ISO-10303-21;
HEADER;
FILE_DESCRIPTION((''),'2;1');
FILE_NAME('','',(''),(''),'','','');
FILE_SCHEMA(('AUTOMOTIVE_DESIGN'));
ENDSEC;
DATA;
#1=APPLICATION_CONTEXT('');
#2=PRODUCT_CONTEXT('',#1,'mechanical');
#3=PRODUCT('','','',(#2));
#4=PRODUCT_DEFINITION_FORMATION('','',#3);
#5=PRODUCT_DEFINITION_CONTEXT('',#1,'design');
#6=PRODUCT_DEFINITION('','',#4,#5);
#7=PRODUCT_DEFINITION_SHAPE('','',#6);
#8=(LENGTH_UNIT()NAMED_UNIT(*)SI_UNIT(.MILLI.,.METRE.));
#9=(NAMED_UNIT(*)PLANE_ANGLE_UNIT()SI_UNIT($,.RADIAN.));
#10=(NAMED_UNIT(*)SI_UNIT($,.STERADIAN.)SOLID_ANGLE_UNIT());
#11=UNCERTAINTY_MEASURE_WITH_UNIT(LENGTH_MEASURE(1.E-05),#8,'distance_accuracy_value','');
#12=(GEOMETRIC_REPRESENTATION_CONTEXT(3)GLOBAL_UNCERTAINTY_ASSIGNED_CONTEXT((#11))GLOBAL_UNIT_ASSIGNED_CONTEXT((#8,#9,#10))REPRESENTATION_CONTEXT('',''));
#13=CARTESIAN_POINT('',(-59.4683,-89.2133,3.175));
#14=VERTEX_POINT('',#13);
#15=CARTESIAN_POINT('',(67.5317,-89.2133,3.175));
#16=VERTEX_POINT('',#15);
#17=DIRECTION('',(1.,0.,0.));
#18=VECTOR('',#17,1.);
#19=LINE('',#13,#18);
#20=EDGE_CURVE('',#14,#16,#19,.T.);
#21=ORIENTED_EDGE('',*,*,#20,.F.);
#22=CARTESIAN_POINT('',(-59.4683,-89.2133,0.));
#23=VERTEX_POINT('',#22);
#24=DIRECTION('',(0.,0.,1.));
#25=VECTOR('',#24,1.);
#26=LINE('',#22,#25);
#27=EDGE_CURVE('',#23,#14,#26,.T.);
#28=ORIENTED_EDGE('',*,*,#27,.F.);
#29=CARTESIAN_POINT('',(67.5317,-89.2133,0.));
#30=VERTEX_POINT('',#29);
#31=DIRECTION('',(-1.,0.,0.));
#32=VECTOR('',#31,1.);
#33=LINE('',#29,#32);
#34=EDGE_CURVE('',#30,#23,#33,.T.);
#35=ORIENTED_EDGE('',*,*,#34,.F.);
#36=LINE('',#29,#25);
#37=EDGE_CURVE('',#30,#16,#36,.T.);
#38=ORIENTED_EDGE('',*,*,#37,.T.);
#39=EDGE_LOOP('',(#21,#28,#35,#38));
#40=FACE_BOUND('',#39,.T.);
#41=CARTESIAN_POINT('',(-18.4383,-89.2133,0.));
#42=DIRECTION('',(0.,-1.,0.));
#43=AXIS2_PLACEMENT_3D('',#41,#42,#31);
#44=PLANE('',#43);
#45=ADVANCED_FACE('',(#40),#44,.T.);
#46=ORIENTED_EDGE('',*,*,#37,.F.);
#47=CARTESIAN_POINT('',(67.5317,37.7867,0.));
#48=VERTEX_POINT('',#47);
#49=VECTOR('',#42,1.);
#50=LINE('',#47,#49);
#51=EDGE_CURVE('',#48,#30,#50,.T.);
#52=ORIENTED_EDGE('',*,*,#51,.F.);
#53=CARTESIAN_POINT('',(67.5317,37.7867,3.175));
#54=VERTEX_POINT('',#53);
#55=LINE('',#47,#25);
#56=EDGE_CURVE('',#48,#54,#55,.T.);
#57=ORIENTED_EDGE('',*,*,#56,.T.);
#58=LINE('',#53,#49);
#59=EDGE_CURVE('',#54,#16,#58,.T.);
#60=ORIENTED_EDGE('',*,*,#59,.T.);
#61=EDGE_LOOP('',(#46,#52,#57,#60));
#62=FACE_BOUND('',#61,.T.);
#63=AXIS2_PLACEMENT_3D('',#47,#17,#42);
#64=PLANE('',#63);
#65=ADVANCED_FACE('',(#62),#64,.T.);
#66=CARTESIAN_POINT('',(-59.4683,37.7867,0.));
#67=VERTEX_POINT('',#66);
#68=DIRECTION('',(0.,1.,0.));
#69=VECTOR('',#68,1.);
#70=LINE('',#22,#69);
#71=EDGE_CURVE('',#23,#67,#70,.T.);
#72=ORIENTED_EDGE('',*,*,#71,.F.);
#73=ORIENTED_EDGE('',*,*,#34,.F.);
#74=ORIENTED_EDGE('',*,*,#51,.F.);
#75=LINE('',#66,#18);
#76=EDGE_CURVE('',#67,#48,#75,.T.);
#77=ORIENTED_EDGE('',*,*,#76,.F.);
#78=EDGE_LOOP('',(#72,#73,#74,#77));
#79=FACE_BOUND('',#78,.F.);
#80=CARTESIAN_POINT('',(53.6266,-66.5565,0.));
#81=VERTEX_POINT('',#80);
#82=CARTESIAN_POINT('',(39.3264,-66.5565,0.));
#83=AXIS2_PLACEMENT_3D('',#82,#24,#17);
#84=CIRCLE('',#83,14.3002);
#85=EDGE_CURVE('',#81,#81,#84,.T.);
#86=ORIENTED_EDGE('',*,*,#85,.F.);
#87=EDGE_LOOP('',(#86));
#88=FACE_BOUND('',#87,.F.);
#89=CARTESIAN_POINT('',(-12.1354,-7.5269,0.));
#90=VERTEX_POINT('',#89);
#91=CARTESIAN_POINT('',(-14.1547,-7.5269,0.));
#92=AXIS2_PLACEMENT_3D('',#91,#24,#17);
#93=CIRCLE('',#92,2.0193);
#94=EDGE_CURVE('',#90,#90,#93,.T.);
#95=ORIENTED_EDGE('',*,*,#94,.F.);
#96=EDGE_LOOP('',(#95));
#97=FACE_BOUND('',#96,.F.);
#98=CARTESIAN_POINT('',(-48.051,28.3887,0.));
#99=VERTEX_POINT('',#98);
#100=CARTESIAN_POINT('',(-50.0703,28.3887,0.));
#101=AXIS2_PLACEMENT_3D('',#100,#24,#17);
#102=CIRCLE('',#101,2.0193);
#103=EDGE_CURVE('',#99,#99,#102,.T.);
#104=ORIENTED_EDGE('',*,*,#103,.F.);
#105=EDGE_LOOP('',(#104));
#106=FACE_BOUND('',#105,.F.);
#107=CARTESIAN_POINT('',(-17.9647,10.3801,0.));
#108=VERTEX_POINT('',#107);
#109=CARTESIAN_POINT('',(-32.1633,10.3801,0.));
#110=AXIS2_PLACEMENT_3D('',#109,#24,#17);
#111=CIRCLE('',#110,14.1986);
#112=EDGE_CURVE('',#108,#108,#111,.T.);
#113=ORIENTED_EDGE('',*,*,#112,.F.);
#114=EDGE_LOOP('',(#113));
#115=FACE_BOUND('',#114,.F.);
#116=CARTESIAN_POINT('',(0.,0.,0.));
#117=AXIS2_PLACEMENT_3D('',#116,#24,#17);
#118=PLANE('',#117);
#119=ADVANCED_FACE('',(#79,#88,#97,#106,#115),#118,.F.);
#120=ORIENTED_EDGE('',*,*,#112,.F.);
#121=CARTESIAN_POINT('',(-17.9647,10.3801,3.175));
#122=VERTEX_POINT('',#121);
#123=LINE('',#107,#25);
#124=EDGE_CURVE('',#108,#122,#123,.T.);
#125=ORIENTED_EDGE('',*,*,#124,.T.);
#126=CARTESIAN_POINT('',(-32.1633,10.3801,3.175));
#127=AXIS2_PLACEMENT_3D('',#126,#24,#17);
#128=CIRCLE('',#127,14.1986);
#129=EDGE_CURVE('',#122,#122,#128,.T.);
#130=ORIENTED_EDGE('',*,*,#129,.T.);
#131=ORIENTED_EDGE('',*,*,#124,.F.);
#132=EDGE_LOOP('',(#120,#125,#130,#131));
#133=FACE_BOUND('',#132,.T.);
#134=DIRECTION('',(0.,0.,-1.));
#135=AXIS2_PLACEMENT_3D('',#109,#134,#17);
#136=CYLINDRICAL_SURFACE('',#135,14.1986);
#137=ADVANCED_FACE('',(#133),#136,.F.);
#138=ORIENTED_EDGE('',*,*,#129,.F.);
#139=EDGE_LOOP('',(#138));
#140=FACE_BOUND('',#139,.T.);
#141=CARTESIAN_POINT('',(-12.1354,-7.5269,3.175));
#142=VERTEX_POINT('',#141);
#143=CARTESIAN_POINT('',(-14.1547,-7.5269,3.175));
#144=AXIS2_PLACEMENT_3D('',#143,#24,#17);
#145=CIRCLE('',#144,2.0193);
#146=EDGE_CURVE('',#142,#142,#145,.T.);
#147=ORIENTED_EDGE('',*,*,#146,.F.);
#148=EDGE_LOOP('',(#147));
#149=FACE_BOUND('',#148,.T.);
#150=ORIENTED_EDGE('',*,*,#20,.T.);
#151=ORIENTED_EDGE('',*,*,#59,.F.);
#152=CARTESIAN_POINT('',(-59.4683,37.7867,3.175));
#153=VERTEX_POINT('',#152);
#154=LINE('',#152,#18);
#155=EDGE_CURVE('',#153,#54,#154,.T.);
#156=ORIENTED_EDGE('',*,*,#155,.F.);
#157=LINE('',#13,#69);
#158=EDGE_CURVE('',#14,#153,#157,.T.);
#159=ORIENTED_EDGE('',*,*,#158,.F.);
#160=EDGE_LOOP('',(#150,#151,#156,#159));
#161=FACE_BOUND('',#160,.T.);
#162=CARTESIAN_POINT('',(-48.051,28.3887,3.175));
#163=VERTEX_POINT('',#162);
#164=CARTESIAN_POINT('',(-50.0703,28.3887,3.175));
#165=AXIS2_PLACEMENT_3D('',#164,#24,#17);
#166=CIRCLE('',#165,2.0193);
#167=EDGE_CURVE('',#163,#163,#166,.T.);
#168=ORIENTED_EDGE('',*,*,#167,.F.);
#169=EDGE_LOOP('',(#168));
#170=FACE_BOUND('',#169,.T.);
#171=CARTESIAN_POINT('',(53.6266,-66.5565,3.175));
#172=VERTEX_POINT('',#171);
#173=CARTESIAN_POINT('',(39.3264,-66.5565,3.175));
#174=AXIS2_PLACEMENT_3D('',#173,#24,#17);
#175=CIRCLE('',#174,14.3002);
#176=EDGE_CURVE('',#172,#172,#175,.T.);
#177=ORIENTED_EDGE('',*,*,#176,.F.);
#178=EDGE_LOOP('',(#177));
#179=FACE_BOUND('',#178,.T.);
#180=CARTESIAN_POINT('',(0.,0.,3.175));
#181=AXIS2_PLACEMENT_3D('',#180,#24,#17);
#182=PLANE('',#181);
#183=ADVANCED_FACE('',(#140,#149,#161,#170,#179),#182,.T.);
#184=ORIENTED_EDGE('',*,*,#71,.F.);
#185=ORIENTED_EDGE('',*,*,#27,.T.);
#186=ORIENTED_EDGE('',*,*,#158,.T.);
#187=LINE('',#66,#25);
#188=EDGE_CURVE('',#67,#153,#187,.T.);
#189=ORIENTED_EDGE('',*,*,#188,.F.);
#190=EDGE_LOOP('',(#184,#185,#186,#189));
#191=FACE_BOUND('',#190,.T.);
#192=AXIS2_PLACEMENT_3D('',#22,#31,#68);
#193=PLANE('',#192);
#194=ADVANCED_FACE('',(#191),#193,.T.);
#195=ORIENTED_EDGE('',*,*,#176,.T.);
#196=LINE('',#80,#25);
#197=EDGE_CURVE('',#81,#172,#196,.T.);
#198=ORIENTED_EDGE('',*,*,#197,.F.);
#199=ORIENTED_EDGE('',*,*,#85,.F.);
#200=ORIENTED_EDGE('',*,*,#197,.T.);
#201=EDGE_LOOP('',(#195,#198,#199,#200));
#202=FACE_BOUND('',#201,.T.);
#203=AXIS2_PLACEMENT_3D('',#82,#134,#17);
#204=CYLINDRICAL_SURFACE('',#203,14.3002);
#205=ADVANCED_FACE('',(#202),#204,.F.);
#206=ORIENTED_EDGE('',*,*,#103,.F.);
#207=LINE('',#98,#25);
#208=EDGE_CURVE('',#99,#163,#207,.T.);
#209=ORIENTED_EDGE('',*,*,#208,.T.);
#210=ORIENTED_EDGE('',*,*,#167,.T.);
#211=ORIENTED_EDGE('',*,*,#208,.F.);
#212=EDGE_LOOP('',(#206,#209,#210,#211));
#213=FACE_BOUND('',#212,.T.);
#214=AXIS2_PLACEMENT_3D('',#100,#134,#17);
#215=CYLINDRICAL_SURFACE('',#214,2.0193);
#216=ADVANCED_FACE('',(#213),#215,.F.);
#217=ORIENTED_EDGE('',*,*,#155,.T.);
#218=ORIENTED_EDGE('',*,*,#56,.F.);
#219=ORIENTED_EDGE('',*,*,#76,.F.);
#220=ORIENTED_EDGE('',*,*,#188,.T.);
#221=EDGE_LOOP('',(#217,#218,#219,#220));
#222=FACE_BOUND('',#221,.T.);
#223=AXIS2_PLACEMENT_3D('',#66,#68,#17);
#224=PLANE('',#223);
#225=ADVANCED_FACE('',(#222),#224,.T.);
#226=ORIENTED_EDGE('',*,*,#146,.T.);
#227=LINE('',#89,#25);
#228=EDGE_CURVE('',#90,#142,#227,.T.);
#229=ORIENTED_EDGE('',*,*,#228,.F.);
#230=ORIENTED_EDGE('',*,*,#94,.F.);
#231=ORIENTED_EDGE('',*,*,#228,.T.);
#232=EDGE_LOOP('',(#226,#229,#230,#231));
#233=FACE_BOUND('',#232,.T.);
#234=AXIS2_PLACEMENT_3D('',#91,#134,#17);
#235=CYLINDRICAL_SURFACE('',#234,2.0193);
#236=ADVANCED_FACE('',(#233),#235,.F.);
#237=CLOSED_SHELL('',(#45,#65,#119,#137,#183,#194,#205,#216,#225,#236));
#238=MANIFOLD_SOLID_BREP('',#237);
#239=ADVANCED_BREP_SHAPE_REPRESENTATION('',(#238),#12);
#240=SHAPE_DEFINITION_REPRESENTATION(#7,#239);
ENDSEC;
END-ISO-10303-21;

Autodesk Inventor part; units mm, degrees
ref_plane "YZ Plane" through (0, 0, 0) normal (1, 0, 0) x (0, 1, 0)
ref_plane "XZ Plane" through (0, 0, 0) normal (0, 1, 0) x (-1, 0, 0)
ref_plane "XY Plane" through (0, 0, 0) normal (0, 0, 1) x (1, 0, 0)
sketch "Sketch1" plane through (0, 0, 0) normal (0, 0, 1) x (1, 0, 0)
  line L0 (-59.4683, 37.7867) -> (67.5317, 37.7867)
  line L1 (67.5317, 37.7867) -> (67.5317, -89.2133)
  line L2 (67.5317, -89.2133) -> (-59.4683, -89.2133)
  line L3 (-59.4683, -89.2133) -> (-59.4683, 37.7867)
  line L4 (-59.4683, -89.2133) -> (-18.4383, -89.2133)
  line L5 (-60.4499, -32.9669) -> (-59.4683, -89.2133)
  line L6 (-53.1183, 31.4367) -> (-11.1067, 31.4367)
  line L7 (-11.1067, 31.4367) -> (-11.1067, -10.5749)
  line L8 (-11.1067, -10.5749) -> (-53.1183, -10.5749)
  line L9 (-53.1183, -10.5749) -> (-53.1183, 31.4367)
  circle A0 centre (39.3264, -66.5565) radius 14.3002
  circle A1 centre (-32.1633, 10.3801) radius 14.1986
  circle A2 centre (-14.1547, -7.5269) radius 2.0193
  circle A3 centre (-50.0703, 28.3887) radius 2.0193
  point P0 (0, 0)
  dimension "d0" = 127
  dimension "d1" = 127
  dimension "d8" = 42.0116
  dimension "d9" = 42.0116
  dimension "d10" = 3.048
  dimension "d13" = 3.048
  dimension "d14" = 6.35
  dimension "d15" = 6.35
  dimension "d16" = 3.048
  dimension "d17" = 3.048
  dimension "d18" = 20.955
  dimension "d19" = 20.955
  dimension "d21" = 28.6004
  dimension "d23" = 105.0239
  dimension "d26" = 28.3972
  dimension "d27" = 4.0386
  dimension "d28" = 4.0386
extrude "Extrusion1" add sketch "Sketch1" along normal blind 3.175 contours L0 L1 L2 L3 | L6 L7 L8 L9
properties part number "GearboxPlate"
